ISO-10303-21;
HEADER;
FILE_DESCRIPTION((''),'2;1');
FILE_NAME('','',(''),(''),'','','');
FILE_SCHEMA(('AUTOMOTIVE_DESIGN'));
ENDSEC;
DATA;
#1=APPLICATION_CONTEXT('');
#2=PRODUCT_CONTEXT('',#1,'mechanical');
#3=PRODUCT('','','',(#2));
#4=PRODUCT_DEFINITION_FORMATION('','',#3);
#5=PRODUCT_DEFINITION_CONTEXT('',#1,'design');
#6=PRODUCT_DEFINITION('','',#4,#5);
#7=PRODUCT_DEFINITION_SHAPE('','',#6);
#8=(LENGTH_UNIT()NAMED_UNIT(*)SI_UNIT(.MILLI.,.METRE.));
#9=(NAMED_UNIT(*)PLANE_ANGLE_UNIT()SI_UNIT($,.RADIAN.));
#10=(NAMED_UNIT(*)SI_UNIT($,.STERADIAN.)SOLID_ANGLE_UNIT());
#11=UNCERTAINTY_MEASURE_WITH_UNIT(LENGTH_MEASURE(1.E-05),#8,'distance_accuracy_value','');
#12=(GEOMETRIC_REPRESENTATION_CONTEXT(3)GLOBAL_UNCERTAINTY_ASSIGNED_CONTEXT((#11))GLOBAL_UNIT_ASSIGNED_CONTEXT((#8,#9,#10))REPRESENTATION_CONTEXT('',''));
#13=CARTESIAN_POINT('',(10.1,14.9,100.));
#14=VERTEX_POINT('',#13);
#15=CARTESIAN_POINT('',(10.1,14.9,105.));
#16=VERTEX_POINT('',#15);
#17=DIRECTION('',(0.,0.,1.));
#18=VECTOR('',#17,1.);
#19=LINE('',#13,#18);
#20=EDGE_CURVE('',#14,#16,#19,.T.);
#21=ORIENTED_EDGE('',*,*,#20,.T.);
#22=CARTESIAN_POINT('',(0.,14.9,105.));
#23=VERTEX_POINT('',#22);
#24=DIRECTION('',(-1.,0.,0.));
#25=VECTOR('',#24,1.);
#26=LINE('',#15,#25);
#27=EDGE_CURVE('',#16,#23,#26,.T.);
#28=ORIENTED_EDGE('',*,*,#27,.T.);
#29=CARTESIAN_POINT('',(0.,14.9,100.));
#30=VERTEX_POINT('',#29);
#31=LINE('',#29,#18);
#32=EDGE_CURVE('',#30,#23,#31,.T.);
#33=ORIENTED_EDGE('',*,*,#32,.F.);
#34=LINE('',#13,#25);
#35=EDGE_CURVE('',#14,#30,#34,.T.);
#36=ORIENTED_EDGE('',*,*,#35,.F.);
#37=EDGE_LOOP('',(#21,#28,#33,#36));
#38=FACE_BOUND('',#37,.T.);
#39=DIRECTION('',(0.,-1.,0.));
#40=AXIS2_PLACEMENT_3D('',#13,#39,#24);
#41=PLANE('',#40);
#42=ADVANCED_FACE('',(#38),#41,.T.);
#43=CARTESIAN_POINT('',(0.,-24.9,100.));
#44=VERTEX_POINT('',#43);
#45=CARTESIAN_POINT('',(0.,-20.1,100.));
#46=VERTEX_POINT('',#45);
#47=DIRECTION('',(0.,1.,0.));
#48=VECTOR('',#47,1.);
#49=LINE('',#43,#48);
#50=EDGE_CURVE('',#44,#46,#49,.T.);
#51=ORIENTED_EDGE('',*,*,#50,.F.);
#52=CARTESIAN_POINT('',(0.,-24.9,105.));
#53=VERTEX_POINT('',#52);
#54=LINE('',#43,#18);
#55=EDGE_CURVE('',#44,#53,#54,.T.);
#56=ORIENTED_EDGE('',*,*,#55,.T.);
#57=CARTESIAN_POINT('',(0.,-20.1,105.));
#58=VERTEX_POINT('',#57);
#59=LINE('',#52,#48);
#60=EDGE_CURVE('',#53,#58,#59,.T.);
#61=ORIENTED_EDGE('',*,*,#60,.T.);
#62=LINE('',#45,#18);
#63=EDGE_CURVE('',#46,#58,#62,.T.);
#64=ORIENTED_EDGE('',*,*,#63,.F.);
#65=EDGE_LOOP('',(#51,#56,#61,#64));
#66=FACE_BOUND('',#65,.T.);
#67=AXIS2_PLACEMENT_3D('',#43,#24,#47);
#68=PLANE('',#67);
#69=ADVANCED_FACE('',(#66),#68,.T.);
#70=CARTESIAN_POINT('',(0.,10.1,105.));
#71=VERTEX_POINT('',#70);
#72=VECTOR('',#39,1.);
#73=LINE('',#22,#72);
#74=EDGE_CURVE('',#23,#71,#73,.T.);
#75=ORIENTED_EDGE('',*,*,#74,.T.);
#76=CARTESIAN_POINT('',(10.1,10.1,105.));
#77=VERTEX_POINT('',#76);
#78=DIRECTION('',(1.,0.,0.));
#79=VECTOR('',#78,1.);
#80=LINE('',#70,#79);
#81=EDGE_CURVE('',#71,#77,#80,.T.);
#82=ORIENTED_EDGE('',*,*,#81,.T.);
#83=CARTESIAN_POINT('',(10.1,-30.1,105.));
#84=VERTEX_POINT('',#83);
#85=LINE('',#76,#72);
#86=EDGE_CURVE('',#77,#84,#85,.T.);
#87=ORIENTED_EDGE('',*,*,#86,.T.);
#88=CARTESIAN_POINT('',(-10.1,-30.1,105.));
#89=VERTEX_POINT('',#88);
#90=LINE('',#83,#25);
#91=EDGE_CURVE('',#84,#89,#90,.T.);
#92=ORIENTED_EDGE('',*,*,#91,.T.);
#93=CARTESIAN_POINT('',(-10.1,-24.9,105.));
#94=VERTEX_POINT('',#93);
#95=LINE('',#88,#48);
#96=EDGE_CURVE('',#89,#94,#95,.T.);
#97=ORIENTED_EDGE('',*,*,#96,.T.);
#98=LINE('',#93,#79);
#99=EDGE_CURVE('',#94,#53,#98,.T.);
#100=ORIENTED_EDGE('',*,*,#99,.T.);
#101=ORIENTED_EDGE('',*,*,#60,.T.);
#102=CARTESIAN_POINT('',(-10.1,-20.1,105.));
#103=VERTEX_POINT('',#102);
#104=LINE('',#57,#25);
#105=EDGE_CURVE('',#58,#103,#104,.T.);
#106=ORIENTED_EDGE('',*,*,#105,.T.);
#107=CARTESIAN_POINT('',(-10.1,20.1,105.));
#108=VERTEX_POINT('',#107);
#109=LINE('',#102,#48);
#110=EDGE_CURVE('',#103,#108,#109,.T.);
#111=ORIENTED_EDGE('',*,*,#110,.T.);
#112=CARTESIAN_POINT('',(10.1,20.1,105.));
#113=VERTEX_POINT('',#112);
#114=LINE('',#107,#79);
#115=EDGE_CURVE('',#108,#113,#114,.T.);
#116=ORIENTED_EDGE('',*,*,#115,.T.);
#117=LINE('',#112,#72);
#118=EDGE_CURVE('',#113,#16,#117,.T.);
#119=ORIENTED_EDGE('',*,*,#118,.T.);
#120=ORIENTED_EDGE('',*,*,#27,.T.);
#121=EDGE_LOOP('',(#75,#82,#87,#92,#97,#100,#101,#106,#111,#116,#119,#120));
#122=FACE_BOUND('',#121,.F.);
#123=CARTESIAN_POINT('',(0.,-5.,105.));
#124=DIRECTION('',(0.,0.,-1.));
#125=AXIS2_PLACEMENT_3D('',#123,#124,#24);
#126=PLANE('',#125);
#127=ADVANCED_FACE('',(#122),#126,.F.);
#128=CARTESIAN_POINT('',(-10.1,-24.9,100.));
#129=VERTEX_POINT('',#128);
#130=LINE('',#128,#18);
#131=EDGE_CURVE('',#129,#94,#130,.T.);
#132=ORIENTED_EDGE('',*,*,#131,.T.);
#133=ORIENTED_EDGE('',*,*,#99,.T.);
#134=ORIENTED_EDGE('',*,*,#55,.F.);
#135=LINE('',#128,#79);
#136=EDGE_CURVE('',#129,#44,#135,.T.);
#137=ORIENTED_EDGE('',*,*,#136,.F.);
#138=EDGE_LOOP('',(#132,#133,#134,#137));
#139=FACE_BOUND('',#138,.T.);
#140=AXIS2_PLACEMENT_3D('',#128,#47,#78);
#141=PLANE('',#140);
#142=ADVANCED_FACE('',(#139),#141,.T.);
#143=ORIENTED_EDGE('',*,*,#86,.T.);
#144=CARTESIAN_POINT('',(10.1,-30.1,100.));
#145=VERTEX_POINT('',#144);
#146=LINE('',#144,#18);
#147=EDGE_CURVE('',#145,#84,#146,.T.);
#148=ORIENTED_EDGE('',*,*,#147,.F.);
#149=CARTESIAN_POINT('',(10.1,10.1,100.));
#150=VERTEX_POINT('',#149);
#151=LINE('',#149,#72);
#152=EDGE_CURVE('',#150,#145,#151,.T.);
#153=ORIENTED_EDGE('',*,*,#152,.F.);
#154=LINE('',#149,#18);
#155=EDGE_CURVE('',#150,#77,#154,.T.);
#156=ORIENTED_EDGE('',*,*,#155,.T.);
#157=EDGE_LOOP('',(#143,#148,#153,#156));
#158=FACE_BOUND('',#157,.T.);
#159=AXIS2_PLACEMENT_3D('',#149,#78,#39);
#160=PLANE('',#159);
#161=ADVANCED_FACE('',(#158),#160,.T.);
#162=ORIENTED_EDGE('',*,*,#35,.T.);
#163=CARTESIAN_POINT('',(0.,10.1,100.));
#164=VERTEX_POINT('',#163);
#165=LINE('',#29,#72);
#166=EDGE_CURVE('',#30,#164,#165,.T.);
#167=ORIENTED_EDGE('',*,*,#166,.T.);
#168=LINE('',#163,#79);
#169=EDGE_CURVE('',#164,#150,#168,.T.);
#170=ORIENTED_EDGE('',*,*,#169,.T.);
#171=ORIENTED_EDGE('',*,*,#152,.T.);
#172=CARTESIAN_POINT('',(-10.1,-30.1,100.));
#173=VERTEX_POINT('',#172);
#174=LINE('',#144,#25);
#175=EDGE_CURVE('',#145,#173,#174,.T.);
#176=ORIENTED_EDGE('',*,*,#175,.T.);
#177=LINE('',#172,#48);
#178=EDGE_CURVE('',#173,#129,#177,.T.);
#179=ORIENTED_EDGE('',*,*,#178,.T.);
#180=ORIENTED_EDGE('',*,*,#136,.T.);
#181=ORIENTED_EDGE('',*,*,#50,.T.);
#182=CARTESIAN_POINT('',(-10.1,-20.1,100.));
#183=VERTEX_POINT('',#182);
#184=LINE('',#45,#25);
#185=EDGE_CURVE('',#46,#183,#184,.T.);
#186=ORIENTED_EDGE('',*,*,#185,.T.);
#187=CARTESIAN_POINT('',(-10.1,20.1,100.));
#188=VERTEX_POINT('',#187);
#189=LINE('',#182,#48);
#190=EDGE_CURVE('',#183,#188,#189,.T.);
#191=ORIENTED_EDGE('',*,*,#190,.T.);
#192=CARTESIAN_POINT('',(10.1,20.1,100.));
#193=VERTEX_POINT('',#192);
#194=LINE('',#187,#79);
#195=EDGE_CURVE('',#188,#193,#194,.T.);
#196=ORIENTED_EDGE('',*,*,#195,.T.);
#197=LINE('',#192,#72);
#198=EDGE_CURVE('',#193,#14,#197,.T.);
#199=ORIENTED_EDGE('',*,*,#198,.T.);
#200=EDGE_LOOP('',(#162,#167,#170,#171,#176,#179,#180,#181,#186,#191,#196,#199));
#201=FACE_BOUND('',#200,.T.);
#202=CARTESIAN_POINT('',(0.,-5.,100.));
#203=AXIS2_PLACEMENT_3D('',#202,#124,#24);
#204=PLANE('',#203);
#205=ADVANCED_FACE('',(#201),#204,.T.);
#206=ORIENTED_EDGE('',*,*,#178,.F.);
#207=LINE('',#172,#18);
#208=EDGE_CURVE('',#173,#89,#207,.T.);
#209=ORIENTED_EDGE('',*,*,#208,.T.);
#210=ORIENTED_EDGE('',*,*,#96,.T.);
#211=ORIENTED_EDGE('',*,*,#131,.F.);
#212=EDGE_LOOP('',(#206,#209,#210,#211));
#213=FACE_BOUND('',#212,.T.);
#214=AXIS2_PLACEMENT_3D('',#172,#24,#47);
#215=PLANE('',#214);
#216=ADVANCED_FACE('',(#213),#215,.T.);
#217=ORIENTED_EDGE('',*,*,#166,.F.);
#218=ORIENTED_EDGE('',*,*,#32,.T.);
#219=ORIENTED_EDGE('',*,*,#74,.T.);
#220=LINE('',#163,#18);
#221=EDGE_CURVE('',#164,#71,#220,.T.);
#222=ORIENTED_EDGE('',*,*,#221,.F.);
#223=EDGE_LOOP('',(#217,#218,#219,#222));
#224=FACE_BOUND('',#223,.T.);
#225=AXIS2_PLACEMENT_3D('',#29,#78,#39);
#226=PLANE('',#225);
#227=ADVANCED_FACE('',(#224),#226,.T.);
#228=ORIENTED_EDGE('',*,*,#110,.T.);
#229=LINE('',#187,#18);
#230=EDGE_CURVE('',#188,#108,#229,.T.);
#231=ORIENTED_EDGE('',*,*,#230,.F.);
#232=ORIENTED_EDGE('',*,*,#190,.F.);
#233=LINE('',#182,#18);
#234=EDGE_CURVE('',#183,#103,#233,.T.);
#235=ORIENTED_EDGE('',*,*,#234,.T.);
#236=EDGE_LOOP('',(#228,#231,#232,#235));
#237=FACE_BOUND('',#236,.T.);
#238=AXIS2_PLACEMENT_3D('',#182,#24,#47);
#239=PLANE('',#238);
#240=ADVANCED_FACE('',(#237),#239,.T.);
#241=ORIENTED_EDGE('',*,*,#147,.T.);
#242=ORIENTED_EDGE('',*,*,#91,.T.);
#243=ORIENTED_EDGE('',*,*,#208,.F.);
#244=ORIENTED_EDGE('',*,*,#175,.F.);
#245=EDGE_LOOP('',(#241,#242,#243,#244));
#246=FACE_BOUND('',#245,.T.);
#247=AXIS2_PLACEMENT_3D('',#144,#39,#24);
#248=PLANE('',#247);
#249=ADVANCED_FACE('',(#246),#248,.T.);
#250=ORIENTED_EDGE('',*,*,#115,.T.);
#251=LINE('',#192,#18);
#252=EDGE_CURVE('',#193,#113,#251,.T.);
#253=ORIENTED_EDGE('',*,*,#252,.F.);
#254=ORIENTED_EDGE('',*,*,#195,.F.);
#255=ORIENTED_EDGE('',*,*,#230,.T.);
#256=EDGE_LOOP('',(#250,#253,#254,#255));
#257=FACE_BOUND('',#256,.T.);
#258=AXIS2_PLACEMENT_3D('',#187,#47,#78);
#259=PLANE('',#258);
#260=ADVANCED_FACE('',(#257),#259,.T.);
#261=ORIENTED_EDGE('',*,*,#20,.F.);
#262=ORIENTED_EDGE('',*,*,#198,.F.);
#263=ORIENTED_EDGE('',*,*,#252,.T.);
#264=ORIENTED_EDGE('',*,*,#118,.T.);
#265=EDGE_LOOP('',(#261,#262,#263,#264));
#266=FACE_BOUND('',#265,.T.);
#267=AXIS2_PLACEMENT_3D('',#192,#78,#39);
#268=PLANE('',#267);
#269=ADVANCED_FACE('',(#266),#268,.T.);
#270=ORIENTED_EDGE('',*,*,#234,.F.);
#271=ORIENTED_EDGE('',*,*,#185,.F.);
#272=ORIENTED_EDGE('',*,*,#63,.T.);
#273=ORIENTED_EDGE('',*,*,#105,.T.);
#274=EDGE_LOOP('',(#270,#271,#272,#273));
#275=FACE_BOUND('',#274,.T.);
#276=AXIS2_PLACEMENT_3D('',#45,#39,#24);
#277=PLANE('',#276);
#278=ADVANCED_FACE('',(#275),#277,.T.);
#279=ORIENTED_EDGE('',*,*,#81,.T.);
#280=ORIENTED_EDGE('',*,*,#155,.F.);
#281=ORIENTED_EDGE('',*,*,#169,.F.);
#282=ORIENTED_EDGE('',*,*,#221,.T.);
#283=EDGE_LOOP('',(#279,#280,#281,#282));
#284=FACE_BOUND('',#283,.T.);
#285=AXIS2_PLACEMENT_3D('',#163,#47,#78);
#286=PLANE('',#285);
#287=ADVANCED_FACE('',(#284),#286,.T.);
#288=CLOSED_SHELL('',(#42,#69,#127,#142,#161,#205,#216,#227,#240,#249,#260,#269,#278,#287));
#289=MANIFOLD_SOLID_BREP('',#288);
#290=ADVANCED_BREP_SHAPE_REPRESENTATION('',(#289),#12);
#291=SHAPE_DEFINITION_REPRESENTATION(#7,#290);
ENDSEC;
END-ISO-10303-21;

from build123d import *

# Parameters (mm, degrees)
PAD_DEPTH = 5


with BuildPart() as part:
    # Sketch012 → Pad (new body)
    with BuildSketch(Plane(origin=(0, -5, 100), x_dir=(1, 0, 0), z_dir=(0, 0, 1))):
        Polygon((-10.1, 25.1), (10.1, 25.1), (10.1, 19.9), (0, 19.9), (0, 15.1), (10.1, 15.1), (10.1, -25.1), (-10.1, -25.1), (-10.1, -19.9), (0, -19.9), (0, -15.1), (-10.1, -15.1), align=None)
    extrude(amount=PAD_DEPTH)


solid = part.part
